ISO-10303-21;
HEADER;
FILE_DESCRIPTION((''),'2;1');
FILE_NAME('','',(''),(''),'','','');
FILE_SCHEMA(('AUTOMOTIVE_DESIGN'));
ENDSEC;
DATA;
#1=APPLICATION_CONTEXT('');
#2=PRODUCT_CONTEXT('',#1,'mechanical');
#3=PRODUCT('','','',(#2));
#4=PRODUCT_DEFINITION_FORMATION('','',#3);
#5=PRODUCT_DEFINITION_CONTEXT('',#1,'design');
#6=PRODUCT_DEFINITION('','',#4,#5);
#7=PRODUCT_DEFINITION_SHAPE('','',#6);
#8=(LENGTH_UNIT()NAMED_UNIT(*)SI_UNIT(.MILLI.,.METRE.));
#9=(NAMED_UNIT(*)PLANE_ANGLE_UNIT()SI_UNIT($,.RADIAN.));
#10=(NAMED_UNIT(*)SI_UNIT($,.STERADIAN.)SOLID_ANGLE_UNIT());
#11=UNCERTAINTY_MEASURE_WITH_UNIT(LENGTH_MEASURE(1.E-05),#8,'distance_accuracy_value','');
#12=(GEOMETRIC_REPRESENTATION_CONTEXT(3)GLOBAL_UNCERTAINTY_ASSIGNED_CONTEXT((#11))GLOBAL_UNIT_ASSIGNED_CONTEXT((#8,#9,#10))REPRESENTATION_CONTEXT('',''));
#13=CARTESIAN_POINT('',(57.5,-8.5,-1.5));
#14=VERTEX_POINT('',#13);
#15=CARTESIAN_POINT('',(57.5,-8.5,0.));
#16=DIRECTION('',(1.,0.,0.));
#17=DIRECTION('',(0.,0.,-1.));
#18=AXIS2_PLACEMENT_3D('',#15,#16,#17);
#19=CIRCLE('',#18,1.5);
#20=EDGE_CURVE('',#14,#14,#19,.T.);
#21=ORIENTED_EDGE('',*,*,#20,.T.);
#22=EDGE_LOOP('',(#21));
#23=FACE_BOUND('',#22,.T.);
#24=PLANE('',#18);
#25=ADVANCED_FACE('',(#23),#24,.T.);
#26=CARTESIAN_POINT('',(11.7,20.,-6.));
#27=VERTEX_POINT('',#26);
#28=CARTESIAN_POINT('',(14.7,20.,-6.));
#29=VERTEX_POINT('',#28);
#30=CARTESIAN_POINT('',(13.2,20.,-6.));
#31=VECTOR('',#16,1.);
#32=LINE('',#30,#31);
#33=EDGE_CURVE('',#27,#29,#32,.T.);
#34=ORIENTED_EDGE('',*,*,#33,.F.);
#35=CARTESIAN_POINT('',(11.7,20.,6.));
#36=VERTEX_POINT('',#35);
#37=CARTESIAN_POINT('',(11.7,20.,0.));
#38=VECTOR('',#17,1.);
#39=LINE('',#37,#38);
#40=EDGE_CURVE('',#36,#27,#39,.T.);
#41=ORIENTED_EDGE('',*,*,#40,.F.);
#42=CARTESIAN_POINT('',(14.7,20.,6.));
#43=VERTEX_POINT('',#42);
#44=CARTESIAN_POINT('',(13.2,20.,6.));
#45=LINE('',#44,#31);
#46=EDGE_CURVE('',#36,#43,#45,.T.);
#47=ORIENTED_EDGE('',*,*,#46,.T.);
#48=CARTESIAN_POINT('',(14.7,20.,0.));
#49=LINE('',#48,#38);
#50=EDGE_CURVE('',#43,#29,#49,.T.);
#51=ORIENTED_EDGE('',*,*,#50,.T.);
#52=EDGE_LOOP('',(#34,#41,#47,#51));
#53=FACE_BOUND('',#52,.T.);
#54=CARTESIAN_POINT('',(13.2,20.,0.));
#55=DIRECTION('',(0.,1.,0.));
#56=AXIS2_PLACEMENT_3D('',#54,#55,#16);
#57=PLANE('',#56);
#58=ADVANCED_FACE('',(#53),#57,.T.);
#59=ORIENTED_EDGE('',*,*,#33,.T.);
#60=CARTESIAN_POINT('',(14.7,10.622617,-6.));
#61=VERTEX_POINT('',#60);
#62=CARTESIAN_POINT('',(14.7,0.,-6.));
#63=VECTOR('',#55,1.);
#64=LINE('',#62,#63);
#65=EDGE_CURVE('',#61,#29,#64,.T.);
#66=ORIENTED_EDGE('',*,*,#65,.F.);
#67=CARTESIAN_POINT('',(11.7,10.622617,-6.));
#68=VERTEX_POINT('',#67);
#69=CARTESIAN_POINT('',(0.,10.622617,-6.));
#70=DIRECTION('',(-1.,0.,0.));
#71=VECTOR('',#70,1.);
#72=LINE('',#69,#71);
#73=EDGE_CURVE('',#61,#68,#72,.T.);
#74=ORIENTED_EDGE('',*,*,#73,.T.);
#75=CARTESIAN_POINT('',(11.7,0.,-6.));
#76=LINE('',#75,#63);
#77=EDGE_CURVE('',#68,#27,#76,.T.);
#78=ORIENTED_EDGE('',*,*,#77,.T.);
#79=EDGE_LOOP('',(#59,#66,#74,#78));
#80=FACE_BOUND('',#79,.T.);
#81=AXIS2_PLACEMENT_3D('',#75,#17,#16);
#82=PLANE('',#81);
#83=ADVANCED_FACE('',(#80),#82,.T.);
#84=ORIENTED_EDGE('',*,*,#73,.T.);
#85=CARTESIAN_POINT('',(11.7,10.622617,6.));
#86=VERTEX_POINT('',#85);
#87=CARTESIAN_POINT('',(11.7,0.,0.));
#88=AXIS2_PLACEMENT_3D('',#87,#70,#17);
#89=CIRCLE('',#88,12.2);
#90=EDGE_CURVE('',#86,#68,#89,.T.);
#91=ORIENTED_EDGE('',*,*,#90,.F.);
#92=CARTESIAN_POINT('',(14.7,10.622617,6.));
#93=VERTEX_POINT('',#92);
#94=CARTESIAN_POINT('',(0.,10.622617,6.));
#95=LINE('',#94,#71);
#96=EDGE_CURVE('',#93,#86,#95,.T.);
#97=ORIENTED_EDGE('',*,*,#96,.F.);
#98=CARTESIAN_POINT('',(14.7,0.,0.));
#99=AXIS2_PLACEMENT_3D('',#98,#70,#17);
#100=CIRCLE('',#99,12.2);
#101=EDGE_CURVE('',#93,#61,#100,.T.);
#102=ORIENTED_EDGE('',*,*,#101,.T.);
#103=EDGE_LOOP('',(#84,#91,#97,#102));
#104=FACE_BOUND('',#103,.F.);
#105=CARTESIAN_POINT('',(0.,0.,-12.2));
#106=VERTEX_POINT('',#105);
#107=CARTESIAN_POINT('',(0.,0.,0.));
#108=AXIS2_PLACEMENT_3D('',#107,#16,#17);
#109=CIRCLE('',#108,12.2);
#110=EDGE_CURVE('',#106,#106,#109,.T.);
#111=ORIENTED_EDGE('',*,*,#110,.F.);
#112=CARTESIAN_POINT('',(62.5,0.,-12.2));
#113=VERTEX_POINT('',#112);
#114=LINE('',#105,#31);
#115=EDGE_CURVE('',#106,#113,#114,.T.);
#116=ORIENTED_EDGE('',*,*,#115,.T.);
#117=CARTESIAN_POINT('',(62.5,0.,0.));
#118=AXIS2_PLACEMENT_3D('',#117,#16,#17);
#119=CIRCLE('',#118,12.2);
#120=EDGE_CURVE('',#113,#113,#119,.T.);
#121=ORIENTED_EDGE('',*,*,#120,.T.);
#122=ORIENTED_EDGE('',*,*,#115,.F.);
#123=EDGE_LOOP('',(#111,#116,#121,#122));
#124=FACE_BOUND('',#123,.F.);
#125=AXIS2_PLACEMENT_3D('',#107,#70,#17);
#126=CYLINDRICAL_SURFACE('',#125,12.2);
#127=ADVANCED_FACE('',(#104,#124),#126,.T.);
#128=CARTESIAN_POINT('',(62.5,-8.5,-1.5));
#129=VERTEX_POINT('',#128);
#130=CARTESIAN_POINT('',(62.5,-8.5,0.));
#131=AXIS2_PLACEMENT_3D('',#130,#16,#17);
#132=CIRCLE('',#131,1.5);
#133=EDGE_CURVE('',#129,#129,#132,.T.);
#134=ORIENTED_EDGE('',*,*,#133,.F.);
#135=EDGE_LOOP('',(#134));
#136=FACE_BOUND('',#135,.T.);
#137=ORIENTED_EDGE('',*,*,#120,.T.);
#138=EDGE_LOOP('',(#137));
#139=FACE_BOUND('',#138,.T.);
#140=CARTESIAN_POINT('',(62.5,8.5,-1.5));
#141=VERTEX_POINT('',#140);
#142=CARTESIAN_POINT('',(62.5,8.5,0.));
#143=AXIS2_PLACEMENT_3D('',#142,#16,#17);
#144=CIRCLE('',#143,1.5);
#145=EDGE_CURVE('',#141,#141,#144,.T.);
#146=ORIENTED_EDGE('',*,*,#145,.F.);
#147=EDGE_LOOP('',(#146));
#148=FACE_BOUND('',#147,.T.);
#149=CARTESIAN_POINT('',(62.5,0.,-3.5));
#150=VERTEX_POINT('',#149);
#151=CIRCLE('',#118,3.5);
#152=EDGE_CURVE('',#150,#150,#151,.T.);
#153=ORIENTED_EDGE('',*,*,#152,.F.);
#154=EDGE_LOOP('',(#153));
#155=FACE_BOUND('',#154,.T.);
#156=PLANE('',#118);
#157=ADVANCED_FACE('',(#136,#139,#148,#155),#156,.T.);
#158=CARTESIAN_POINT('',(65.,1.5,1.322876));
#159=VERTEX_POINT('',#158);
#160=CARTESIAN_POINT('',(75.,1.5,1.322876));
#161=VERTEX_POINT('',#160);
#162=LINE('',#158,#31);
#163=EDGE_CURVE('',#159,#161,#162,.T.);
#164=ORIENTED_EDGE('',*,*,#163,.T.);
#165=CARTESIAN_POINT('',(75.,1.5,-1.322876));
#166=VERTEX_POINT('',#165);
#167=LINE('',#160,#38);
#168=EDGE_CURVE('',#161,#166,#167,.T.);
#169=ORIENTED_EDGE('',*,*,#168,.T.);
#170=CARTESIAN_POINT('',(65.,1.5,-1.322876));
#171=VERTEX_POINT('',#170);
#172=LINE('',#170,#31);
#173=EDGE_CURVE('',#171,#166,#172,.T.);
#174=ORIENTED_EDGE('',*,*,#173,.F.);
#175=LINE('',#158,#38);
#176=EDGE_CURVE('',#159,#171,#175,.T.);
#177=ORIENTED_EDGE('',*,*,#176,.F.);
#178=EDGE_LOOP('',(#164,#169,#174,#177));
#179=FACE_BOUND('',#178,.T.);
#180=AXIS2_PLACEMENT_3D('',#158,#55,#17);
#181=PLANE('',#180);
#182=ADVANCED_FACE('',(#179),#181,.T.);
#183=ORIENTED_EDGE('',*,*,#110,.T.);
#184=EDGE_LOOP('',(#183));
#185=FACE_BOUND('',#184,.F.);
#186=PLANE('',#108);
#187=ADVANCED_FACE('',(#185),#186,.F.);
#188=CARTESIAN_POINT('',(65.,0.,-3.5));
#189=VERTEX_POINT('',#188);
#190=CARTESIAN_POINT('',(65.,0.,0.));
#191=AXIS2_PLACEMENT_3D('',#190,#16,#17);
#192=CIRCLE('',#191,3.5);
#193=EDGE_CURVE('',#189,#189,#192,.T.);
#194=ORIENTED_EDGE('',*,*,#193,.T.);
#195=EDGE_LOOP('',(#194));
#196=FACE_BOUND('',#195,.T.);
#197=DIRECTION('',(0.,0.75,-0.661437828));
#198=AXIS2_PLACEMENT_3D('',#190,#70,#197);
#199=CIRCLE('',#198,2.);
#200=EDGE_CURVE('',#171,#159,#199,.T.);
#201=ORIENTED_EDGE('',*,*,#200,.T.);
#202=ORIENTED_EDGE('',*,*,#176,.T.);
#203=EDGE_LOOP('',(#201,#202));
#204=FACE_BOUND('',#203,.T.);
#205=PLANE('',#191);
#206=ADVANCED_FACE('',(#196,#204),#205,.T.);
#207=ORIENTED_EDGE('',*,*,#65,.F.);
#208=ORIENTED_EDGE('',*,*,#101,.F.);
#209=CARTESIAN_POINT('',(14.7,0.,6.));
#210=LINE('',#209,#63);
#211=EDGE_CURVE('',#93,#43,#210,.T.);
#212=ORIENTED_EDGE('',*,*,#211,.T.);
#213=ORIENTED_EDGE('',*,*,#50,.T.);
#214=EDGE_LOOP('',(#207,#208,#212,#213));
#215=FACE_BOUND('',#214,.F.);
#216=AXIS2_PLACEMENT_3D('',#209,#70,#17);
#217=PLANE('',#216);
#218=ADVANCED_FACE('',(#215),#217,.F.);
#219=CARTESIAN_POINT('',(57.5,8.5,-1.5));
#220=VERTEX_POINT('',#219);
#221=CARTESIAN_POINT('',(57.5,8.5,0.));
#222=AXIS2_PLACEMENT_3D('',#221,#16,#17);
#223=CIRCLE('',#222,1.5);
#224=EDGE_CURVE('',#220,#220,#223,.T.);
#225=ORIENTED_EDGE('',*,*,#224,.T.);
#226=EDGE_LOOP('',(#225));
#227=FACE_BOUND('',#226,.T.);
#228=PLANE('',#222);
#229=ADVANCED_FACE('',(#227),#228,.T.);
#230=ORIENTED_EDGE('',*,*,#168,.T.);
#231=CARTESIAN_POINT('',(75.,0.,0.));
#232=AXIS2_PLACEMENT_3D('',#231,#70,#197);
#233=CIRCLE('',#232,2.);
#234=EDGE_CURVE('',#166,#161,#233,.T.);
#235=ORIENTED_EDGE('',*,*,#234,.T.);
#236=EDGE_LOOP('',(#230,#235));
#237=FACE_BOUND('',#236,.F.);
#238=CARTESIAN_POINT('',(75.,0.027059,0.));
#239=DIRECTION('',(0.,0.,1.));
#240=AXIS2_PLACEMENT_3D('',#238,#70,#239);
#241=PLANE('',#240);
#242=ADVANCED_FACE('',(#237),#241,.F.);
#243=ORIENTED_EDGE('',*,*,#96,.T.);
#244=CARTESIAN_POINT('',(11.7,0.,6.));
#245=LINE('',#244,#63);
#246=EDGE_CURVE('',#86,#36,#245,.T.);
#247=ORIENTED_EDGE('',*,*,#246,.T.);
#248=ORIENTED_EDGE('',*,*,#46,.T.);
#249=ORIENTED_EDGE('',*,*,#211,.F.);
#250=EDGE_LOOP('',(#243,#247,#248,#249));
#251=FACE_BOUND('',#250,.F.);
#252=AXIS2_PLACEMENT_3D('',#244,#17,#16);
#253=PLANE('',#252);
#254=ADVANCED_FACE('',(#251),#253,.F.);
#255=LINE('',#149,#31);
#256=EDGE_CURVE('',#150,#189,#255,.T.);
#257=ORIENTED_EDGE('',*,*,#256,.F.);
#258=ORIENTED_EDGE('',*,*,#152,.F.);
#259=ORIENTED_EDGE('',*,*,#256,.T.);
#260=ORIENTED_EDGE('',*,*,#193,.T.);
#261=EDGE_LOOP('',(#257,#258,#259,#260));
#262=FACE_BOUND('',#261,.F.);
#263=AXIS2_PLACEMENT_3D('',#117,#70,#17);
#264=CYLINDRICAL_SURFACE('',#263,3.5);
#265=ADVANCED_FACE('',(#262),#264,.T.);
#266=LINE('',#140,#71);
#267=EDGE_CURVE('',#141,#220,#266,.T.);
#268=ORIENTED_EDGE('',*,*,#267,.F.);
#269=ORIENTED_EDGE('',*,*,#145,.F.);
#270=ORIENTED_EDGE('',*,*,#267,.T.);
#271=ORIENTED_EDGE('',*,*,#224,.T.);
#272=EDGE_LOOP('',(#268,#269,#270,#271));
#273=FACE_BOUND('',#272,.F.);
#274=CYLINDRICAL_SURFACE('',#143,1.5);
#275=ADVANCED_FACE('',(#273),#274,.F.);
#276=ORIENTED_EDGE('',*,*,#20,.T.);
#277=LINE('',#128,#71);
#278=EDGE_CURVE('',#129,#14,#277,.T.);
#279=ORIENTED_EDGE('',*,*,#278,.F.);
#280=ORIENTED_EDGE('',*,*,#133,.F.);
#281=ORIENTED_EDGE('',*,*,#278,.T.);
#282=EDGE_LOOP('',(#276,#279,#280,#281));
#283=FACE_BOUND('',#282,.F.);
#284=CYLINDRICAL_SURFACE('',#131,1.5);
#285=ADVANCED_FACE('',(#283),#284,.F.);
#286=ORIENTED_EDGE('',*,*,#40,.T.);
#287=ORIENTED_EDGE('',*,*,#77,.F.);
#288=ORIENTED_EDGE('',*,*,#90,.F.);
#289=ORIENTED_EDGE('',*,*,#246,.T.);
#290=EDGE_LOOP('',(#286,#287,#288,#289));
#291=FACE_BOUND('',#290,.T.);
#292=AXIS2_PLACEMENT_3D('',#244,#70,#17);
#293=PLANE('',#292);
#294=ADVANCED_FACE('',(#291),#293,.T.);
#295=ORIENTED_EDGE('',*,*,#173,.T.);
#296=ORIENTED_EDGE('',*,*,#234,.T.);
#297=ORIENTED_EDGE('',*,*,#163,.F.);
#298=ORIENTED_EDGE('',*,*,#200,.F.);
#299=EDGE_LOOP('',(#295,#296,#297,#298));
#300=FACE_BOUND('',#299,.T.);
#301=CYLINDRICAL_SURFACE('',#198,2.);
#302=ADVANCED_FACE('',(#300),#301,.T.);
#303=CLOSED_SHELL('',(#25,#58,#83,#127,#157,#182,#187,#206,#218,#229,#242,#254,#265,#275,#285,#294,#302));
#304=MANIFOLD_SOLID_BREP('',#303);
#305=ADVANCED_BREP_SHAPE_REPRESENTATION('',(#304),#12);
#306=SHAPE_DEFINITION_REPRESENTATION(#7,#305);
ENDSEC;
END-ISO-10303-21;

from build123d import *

# Parameters (mm, degrees)
SKETCH1_R           = 12.2
BOSS_EXTRUDE1_DEPTH = 62.5
SKETCH2_R           = 3.5
BOSS_EXTRUDE2_DEPTH = 2.5
BOSS_EXTRUDE3_DEPTH = 10
SKETCH4_R           = 1.5
CUT_EXTRUDE1_DEPTH  = 5
SKETCH5_W           = 3
SKETCH5_H           = 12
BOSS_EXTRUDE4_DEPTH = 20


with BuildPart() as part:
    # Sketch1 → Boss-Extrude1 (new body)
    with BuildSketch(Plane(origin=(0, 0, 0), x_dir=(0, 0, -1), z_dir=(1, 0, 0))):
        Circle(SKETCH1_R)
    extrude(amount=BOSS_EXTRUDE1_DEPTH)

    # Sketch2 → Boss-Extrude2 (add)
    with BuildSketch(Plane(origin=(62.5, 0, 0), x_dir=(0, 0, -1), z_dir=(1, 0, 0))):
        Circle(SKETCH2_R)
    extrude(amount=BOSS_EXTRUDE2_DEPTH)

    # Sketch3 → Boss-Extrude3 (add)
    with BuildSketch(Plane(origin=(65, 0, 0), x_dir=(0, 0, -1), z_dir=(1, 0, 0))):
        with BuildLine():
            Line((-1.322875656, 1.5), (1.322875656, 1.5))
            ThreePointArc((1.322875656, 1.5), (0, -2), (-1.322875656, 1.5))
        make_face()
    extrude(amount=BOSS_EXTRUDE3_DEPTH)

    # Sketch4 → Cut-Extrude1 (cut)
    with BuildSketch(Plane(origin=(62.5, 0, 0), x_dir=(0, 0, -1), z_dir=(1, 0, 0))):
        with Locations((0, 8.5)):
            Circle(SKETCH4_R)
        with Locations((0, -8.5)):
            Circle(SKETCH4_R)
    extrude(amount=-CUT_EXTRUDE1_DEPTH, mode=Mode.SUBTRACT)

    # Sketch5 → Boss-Extrude4 (add)
    with BuildSketch(Plane(origin=(0, 0, 0), x_dir=(1, 0, 0), z_dir=(0, 1, 0))):
        with Locations((13.2, 0)):
            Rectangle(SKETCH5_W, SKETCH5_H)
    extrude(amount=BOSS_EXTRUDE4_DEPTH)


solid = part.part
